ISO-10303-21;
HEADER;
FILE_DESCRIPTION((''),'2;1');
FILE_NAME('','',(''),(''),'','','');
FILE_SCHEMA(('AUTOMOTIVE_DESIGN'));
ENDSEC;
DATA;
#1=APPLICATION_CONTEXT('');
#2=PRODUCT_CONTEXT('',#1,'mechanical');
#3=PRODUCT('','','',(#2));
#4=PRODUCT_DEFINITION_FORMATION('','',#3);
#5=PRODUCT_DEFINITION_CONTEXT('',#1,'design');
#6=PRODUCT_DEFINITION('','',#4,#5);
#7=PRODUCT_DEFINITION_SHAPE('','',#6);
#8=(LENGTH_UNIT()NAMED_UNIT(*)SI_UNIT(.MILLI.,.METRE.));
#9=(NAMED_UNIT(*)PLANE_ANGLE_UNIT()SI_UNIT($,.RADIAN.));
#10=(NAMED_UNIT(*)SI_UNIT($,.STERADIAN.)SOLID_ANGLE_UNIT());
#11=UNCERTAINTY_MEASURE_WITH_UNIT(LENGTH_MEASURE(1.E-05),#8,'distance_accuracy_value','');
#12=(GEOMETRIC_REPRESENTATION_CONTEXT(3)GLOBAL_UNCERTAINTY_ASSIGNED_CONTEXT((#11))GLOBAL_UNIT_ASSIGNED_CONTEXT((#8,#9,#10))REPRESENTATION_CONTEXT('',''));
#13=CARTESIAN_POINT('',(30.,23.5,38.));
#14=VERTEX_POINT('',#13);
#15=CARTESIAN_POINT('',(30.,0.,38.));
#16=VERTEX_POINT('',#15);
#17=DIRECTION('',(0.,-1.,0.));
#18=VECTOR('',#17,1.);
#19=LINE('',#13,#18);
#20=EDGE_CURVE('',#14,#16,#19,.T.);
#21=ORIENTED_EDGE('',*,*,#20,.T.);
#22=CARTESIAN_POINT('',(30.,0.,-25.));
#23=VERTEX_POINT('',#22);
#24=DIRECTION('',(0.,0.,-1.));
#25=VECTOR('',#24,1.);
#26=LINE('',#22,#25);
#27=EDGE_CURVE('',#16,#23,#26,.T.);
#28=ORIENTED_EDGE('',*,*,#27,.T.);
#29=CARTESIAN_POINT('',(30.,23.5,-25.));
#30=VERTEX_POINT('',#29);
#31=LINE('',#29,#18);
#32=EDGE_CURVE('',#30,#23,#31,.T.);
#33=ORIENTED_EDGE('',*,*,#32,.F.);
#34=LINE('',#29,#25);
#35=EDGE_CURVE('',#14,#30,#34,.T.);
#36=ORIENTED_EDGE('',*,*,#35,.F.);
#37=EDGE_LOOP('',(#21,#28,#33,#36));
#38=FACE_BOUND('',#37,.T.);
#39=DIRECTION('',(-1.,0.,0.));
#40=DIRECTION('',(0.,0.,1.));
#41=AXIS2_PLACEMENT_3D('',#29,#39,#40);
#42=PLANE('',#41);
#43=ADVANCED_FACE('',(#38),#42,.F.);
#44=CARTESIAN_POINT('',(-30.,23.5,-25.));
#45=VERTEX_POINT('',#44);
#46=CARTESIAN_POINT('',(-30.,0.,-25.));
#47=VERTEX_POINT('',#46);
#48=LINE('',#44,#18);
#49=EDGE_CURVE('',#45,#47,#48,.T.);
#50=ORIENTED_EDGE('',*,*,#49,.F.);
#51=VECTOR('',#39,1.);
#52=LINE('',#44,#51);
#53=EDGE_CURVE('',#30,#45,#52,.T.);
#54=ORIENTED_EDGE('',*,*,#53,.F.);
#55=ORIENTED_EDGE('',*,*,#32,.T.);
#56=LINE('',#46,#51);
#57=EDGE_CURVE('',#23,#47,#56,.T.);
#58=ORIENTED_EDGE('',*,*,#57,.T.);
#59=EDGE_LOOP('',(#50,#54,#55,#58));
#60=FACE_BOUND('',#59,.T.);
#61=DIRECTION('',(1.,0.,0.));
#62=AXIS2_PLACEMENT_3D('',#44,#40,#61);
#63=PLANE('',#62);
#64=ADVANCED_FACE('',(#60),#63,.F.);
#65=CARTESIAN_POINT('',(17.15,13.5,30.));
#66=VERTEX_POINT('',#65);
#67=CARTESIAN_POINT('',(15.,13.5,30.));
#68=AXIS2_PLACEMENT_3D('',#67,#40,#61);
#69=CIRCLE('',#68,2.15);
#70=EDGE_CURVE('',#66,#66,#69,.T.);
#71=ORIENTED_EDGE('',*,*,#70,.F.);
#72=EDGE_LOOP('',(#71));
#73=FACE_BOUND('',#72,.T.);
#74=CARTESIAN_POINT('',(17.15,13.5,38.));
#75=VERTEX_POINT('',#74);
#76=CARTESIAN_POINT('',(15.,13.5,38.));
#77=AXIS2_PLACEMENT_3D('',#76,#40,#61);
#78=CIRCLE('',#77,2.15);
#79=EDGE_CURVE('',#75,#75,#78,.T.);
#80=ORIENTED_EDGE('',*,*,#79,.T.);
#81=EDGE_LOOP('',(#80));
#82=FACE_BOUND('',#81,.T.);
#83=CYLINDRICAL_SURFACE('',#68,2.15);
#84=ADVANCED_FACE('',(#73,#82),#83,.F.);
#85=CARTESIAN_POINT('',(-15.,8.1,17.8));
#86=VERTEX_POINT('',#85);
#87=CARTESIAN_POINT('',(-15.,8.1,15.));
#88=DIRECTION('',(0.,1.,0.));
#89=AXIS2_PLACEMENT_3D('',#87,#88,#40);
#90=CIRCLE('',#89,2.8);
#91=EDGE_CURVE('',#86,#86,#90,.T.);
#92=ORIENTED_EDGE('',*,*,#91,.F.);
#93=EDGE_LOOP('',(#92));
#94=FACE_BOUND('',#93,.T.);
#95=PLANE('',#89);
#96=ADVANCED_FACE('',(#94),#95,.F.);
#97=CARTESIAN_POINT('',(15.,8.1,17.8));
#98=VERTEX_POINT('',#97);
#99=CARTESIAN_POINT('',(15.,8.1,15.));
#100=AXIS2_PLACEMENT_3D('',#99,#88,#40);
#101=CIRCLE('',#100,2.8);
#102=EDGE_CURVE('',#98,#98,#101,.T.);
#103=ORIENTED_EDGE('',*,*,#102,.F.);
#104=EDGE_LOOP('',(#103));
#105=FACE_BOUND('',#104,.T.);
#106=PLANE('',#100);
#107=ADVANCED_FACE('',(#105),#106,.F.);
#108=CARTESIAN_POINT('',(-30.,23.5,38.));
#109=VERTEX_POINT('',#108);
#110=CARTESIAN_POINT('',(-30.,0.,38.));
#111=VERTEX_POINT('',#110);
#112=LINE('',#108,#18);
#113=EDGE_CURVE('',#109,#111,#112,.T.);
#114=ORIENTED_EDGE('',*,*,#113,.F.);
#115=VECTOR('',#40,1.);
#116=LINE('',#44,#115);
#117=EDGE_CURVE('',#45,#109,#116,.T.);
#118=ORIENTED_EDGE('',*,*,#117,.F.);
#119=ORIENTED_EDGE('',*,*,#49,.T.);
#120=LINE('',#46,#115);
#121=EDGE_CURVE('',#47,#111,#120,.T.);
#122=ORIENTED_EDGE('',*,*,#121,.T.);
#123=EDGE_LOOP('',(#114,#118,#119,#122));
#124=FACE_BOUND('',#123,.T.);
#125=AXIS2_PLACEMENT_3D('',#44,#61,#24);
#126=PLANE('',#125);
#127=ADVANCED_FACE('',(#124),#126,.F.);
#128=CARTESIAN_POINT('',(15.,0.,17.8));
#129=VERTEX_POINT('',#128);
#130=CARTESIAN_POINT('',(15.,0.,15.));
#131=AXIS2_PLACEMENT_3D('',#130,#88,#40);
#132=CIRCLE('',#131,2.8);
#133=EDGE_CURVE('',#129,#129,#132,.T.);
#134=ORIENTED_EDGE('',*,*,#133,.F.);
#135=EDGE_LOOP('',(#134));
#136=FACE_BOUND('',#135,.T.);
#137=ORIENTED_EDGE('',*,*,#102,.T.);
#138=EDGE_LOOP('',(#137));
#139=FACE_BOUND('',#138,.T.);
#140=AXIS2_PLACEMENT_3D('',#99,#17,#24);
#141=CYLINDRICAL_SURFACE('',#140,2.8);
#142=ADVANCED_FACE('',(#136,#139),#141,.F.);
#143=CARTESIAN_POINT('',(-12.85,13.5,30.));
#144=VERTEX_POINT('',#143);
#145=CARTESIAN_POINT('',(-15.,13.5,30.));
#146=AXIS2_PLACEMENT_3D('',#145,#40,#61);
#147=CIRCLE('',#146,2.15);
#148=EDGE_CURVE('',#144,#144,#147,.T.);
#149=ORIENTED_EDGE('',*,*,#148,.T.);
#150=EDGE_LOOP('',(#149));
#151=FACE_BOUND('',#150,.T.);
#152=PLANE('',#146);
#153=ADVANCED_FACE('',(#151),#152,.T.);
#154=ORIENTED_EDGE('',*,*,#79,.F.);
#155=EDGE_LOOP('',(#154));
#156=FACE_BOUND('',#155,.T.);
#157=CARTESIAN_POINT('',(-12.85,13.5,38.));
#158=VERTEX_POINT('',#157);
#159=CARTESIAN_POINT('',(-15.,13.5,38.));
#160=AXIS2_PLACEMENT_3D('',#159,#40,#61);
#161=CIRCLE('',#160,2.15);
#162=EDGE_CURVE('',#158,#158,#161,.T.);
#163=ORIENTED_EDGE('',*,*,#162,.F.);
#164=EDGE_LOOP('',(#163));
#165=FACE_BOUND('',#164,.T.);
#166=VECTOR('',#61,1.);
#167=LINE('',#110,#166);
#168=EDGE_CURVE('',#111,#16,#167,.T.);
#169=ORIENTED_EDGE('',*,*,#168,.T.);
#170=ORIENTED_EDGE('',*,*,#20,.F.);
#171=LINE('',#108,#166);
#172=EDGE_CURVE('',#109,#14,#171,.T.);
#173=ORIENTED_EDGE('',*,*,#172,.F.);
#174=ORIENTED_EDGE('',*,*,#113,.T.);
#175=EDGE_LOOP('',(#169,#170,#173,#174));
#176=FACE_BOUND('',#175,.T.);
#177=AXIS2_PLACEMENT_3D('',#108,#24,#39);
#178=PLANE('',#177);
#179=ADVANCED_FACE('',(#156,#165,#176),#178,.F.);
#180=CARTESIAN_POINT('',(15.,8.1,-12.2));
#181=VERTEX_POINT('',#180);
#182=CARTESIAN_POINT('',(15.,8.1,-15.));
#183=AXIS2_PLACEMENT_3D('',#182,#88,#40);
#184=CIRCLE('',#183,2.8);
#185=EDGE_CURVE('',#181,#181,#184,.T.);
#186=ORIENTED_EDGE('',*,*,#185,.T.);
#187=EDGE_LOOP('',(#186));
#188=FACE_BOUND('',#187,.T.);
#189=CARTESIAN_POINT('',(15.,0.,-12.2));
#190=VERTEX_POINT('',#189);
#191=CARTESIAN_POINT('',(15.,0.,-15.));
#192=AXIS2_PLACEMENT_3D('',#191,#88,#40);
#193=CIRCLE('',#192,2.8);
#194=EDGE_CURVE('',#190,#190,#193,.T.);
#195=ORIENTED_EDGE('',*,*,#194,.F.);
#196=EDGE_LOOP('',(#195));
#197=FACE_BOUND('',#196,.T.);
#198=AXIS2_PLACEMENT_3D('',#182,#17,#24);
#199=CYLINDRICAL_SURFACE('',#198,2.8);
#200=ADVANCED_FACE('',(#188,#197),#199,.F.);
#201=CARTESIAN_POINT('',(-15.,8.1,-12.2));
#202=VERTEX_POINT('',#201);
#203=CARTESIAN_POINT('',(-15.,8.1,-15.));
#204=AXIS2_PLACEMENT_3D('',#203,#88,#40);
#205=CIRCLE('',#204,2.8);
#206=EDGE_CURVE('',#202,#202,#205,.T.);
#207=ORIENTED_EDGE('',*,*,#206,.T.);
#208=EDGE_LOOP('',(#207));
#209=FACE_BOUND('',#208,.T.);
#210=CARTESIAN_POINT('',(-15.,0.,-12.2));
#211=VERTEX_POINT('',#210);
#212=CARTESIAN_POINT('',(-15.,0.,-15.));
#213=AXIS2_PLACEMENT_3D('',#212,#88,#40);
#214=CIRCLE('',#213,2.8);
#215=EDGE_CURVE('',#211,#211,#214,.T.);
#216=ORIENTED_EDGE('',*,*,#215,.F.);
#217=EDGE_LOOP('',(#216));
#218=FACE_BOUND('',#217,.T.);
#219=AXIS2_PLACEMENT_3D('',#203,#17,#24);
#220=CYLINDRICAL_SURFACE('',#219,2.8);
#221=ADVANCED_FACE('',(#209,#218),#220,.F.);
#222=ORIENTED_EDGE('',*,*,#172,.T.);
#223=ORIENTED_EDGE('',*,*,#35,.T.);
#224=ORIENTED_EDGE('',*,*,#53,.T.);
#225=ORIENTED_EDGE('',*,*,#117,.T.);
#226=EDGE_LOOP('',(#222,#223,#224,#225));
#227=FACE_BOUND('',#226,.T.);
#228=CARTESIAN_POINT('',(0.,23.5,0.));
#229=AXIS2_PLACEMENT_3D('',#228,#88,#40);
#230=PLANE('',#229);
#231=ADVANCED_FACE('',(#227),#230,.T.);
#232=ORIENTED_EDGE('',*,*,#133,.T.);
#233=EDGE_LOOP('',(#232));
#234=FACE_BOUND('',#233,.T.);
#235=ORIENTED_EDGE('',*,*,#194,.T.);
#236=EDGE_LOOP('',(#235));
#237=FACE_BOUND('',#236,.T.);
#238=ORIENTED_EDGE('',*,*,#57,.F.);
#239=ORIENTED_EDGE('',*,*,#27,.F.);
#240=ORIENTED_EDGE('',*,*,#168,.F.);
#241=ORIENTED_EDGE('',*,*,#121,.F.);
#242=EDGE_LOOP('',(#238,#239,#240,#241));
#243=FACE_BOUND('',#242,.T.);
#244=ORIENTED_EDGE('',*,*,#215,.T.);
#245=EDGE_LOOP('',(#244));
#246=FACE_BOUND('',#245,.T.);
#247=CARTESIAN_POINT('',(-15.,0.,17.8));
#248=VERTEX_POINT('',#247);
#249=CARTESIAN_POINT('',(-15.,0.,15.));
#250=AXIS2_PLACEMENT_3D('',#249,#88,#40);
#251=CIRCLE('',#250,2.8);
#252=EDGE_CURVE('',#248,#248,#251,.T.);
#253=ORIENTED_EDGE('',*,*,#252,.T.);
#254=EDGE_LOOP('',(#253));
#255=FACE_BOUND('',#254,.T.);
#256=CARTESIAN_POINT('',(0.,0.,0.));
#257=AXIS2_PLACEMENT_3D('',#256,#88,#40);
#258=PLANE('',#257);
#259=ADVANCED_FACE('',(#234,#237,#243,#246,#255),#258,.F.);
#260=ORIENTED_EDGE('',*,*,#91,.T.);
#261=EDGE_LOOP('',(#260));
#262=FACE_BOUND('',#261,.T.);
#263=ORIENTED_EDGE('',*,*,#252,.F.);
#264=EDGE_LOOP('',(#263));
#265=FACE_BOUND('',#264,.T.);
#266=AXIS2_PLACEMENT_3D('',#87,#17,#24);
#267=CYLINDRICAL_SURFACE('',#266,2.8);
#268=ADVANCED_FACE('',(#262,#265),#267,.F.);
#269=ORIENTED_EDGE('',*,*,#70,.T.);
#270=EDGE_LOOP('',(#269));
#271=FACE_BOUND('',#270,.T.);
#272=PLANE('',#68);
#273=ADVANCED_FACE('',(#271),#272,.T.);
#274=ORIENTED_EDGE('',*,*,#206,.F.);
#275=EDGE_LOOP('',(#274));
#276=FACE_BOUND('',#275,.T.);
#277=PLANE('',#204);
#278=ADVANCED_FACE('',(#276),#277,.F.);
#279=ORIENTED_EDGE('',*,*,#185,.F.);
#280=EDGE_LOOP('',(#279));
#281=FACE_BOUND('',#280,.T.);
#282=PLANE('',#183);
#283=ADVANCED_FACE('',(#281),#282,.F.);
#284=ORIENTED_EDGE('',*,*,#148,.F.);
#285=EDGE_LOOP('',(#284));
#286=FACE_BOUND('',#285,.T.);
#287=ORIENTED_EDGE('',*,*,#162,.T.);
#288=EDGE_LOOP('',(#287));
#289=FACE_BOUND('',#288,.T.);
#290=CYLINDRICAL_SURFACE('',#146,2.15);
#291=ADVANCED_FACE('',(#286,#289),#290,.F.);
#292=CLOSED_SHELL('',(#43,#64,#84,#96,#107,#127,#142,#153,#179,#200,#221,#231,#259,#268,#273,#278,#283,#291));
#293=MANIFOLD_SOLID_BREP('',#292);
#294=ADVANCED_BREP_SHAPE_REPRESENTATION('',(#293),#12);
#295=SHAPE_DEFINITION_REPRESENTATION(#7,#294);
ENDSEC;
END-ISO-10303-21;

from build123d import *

# Parameters (mm, degrees)
SK_TOP_W             = 60
SK_TOP_H             = 63
EX_TOP_DEPTH         = 23.5
SK_RAILBOLTS_R       = 2.15
CUT_RAILBOLTS_DEPTH  = 8
SK_INSERTS_M4_R      = 2.8
CUT_INSERTS_M4_DEPTH = 8.1


with BuildPart() as part:
    # SK_Top → EX_Top (new body)
    with BuildSketch(Plane(origin=(0, 0, 0), x_dir=(1, 0, 0), z_dir=(0, 1, 0))):
        with Locations((0, -6.5)):
            Rectangle(SK_TOP_W, SK_TOP_H)
    extrude(amount=EX_TOP_DEPTH)

    # SK_RailBolts → CUT_RailBolts (cut)
    with BuildSketch(Plane.XY.offset(38)):
        with Locations((15, 13.5)):
            Circle(SK_RAILBOLTS_R)
        with Locations((-15, 13.5)):
            Circle(SK_RAILBOLTS_R)
    extrude(amount=-CUT_RAILBOLTS_DEPTH, mode=Mode.SUBTRACT)

    # SK_Inserts_M4 → CUT_Inserts_M4 (cut)
    with BuildSketch(Plane(origin=(0, 0, 0), x_dir=(1, 0, 0), z_dir=(0, 1, 0))):
        with Locations((15, -15)):
            Circle(SK_INSERTS_M4_R)
        with Locations((-15, -15)):
            Circle(SK_INSERTS_M4_R)
        with Locations((15, 15)):
            Circle(SK_INSERTS_M4_R)
        with Locations((-15, 15)):
            Circle(SK_INSERTS_M4_R)
    extrude(amount=CUT_INSERTS_M4_DEPTH, mode=Mode.SUBTRACT)


solid = part.part
